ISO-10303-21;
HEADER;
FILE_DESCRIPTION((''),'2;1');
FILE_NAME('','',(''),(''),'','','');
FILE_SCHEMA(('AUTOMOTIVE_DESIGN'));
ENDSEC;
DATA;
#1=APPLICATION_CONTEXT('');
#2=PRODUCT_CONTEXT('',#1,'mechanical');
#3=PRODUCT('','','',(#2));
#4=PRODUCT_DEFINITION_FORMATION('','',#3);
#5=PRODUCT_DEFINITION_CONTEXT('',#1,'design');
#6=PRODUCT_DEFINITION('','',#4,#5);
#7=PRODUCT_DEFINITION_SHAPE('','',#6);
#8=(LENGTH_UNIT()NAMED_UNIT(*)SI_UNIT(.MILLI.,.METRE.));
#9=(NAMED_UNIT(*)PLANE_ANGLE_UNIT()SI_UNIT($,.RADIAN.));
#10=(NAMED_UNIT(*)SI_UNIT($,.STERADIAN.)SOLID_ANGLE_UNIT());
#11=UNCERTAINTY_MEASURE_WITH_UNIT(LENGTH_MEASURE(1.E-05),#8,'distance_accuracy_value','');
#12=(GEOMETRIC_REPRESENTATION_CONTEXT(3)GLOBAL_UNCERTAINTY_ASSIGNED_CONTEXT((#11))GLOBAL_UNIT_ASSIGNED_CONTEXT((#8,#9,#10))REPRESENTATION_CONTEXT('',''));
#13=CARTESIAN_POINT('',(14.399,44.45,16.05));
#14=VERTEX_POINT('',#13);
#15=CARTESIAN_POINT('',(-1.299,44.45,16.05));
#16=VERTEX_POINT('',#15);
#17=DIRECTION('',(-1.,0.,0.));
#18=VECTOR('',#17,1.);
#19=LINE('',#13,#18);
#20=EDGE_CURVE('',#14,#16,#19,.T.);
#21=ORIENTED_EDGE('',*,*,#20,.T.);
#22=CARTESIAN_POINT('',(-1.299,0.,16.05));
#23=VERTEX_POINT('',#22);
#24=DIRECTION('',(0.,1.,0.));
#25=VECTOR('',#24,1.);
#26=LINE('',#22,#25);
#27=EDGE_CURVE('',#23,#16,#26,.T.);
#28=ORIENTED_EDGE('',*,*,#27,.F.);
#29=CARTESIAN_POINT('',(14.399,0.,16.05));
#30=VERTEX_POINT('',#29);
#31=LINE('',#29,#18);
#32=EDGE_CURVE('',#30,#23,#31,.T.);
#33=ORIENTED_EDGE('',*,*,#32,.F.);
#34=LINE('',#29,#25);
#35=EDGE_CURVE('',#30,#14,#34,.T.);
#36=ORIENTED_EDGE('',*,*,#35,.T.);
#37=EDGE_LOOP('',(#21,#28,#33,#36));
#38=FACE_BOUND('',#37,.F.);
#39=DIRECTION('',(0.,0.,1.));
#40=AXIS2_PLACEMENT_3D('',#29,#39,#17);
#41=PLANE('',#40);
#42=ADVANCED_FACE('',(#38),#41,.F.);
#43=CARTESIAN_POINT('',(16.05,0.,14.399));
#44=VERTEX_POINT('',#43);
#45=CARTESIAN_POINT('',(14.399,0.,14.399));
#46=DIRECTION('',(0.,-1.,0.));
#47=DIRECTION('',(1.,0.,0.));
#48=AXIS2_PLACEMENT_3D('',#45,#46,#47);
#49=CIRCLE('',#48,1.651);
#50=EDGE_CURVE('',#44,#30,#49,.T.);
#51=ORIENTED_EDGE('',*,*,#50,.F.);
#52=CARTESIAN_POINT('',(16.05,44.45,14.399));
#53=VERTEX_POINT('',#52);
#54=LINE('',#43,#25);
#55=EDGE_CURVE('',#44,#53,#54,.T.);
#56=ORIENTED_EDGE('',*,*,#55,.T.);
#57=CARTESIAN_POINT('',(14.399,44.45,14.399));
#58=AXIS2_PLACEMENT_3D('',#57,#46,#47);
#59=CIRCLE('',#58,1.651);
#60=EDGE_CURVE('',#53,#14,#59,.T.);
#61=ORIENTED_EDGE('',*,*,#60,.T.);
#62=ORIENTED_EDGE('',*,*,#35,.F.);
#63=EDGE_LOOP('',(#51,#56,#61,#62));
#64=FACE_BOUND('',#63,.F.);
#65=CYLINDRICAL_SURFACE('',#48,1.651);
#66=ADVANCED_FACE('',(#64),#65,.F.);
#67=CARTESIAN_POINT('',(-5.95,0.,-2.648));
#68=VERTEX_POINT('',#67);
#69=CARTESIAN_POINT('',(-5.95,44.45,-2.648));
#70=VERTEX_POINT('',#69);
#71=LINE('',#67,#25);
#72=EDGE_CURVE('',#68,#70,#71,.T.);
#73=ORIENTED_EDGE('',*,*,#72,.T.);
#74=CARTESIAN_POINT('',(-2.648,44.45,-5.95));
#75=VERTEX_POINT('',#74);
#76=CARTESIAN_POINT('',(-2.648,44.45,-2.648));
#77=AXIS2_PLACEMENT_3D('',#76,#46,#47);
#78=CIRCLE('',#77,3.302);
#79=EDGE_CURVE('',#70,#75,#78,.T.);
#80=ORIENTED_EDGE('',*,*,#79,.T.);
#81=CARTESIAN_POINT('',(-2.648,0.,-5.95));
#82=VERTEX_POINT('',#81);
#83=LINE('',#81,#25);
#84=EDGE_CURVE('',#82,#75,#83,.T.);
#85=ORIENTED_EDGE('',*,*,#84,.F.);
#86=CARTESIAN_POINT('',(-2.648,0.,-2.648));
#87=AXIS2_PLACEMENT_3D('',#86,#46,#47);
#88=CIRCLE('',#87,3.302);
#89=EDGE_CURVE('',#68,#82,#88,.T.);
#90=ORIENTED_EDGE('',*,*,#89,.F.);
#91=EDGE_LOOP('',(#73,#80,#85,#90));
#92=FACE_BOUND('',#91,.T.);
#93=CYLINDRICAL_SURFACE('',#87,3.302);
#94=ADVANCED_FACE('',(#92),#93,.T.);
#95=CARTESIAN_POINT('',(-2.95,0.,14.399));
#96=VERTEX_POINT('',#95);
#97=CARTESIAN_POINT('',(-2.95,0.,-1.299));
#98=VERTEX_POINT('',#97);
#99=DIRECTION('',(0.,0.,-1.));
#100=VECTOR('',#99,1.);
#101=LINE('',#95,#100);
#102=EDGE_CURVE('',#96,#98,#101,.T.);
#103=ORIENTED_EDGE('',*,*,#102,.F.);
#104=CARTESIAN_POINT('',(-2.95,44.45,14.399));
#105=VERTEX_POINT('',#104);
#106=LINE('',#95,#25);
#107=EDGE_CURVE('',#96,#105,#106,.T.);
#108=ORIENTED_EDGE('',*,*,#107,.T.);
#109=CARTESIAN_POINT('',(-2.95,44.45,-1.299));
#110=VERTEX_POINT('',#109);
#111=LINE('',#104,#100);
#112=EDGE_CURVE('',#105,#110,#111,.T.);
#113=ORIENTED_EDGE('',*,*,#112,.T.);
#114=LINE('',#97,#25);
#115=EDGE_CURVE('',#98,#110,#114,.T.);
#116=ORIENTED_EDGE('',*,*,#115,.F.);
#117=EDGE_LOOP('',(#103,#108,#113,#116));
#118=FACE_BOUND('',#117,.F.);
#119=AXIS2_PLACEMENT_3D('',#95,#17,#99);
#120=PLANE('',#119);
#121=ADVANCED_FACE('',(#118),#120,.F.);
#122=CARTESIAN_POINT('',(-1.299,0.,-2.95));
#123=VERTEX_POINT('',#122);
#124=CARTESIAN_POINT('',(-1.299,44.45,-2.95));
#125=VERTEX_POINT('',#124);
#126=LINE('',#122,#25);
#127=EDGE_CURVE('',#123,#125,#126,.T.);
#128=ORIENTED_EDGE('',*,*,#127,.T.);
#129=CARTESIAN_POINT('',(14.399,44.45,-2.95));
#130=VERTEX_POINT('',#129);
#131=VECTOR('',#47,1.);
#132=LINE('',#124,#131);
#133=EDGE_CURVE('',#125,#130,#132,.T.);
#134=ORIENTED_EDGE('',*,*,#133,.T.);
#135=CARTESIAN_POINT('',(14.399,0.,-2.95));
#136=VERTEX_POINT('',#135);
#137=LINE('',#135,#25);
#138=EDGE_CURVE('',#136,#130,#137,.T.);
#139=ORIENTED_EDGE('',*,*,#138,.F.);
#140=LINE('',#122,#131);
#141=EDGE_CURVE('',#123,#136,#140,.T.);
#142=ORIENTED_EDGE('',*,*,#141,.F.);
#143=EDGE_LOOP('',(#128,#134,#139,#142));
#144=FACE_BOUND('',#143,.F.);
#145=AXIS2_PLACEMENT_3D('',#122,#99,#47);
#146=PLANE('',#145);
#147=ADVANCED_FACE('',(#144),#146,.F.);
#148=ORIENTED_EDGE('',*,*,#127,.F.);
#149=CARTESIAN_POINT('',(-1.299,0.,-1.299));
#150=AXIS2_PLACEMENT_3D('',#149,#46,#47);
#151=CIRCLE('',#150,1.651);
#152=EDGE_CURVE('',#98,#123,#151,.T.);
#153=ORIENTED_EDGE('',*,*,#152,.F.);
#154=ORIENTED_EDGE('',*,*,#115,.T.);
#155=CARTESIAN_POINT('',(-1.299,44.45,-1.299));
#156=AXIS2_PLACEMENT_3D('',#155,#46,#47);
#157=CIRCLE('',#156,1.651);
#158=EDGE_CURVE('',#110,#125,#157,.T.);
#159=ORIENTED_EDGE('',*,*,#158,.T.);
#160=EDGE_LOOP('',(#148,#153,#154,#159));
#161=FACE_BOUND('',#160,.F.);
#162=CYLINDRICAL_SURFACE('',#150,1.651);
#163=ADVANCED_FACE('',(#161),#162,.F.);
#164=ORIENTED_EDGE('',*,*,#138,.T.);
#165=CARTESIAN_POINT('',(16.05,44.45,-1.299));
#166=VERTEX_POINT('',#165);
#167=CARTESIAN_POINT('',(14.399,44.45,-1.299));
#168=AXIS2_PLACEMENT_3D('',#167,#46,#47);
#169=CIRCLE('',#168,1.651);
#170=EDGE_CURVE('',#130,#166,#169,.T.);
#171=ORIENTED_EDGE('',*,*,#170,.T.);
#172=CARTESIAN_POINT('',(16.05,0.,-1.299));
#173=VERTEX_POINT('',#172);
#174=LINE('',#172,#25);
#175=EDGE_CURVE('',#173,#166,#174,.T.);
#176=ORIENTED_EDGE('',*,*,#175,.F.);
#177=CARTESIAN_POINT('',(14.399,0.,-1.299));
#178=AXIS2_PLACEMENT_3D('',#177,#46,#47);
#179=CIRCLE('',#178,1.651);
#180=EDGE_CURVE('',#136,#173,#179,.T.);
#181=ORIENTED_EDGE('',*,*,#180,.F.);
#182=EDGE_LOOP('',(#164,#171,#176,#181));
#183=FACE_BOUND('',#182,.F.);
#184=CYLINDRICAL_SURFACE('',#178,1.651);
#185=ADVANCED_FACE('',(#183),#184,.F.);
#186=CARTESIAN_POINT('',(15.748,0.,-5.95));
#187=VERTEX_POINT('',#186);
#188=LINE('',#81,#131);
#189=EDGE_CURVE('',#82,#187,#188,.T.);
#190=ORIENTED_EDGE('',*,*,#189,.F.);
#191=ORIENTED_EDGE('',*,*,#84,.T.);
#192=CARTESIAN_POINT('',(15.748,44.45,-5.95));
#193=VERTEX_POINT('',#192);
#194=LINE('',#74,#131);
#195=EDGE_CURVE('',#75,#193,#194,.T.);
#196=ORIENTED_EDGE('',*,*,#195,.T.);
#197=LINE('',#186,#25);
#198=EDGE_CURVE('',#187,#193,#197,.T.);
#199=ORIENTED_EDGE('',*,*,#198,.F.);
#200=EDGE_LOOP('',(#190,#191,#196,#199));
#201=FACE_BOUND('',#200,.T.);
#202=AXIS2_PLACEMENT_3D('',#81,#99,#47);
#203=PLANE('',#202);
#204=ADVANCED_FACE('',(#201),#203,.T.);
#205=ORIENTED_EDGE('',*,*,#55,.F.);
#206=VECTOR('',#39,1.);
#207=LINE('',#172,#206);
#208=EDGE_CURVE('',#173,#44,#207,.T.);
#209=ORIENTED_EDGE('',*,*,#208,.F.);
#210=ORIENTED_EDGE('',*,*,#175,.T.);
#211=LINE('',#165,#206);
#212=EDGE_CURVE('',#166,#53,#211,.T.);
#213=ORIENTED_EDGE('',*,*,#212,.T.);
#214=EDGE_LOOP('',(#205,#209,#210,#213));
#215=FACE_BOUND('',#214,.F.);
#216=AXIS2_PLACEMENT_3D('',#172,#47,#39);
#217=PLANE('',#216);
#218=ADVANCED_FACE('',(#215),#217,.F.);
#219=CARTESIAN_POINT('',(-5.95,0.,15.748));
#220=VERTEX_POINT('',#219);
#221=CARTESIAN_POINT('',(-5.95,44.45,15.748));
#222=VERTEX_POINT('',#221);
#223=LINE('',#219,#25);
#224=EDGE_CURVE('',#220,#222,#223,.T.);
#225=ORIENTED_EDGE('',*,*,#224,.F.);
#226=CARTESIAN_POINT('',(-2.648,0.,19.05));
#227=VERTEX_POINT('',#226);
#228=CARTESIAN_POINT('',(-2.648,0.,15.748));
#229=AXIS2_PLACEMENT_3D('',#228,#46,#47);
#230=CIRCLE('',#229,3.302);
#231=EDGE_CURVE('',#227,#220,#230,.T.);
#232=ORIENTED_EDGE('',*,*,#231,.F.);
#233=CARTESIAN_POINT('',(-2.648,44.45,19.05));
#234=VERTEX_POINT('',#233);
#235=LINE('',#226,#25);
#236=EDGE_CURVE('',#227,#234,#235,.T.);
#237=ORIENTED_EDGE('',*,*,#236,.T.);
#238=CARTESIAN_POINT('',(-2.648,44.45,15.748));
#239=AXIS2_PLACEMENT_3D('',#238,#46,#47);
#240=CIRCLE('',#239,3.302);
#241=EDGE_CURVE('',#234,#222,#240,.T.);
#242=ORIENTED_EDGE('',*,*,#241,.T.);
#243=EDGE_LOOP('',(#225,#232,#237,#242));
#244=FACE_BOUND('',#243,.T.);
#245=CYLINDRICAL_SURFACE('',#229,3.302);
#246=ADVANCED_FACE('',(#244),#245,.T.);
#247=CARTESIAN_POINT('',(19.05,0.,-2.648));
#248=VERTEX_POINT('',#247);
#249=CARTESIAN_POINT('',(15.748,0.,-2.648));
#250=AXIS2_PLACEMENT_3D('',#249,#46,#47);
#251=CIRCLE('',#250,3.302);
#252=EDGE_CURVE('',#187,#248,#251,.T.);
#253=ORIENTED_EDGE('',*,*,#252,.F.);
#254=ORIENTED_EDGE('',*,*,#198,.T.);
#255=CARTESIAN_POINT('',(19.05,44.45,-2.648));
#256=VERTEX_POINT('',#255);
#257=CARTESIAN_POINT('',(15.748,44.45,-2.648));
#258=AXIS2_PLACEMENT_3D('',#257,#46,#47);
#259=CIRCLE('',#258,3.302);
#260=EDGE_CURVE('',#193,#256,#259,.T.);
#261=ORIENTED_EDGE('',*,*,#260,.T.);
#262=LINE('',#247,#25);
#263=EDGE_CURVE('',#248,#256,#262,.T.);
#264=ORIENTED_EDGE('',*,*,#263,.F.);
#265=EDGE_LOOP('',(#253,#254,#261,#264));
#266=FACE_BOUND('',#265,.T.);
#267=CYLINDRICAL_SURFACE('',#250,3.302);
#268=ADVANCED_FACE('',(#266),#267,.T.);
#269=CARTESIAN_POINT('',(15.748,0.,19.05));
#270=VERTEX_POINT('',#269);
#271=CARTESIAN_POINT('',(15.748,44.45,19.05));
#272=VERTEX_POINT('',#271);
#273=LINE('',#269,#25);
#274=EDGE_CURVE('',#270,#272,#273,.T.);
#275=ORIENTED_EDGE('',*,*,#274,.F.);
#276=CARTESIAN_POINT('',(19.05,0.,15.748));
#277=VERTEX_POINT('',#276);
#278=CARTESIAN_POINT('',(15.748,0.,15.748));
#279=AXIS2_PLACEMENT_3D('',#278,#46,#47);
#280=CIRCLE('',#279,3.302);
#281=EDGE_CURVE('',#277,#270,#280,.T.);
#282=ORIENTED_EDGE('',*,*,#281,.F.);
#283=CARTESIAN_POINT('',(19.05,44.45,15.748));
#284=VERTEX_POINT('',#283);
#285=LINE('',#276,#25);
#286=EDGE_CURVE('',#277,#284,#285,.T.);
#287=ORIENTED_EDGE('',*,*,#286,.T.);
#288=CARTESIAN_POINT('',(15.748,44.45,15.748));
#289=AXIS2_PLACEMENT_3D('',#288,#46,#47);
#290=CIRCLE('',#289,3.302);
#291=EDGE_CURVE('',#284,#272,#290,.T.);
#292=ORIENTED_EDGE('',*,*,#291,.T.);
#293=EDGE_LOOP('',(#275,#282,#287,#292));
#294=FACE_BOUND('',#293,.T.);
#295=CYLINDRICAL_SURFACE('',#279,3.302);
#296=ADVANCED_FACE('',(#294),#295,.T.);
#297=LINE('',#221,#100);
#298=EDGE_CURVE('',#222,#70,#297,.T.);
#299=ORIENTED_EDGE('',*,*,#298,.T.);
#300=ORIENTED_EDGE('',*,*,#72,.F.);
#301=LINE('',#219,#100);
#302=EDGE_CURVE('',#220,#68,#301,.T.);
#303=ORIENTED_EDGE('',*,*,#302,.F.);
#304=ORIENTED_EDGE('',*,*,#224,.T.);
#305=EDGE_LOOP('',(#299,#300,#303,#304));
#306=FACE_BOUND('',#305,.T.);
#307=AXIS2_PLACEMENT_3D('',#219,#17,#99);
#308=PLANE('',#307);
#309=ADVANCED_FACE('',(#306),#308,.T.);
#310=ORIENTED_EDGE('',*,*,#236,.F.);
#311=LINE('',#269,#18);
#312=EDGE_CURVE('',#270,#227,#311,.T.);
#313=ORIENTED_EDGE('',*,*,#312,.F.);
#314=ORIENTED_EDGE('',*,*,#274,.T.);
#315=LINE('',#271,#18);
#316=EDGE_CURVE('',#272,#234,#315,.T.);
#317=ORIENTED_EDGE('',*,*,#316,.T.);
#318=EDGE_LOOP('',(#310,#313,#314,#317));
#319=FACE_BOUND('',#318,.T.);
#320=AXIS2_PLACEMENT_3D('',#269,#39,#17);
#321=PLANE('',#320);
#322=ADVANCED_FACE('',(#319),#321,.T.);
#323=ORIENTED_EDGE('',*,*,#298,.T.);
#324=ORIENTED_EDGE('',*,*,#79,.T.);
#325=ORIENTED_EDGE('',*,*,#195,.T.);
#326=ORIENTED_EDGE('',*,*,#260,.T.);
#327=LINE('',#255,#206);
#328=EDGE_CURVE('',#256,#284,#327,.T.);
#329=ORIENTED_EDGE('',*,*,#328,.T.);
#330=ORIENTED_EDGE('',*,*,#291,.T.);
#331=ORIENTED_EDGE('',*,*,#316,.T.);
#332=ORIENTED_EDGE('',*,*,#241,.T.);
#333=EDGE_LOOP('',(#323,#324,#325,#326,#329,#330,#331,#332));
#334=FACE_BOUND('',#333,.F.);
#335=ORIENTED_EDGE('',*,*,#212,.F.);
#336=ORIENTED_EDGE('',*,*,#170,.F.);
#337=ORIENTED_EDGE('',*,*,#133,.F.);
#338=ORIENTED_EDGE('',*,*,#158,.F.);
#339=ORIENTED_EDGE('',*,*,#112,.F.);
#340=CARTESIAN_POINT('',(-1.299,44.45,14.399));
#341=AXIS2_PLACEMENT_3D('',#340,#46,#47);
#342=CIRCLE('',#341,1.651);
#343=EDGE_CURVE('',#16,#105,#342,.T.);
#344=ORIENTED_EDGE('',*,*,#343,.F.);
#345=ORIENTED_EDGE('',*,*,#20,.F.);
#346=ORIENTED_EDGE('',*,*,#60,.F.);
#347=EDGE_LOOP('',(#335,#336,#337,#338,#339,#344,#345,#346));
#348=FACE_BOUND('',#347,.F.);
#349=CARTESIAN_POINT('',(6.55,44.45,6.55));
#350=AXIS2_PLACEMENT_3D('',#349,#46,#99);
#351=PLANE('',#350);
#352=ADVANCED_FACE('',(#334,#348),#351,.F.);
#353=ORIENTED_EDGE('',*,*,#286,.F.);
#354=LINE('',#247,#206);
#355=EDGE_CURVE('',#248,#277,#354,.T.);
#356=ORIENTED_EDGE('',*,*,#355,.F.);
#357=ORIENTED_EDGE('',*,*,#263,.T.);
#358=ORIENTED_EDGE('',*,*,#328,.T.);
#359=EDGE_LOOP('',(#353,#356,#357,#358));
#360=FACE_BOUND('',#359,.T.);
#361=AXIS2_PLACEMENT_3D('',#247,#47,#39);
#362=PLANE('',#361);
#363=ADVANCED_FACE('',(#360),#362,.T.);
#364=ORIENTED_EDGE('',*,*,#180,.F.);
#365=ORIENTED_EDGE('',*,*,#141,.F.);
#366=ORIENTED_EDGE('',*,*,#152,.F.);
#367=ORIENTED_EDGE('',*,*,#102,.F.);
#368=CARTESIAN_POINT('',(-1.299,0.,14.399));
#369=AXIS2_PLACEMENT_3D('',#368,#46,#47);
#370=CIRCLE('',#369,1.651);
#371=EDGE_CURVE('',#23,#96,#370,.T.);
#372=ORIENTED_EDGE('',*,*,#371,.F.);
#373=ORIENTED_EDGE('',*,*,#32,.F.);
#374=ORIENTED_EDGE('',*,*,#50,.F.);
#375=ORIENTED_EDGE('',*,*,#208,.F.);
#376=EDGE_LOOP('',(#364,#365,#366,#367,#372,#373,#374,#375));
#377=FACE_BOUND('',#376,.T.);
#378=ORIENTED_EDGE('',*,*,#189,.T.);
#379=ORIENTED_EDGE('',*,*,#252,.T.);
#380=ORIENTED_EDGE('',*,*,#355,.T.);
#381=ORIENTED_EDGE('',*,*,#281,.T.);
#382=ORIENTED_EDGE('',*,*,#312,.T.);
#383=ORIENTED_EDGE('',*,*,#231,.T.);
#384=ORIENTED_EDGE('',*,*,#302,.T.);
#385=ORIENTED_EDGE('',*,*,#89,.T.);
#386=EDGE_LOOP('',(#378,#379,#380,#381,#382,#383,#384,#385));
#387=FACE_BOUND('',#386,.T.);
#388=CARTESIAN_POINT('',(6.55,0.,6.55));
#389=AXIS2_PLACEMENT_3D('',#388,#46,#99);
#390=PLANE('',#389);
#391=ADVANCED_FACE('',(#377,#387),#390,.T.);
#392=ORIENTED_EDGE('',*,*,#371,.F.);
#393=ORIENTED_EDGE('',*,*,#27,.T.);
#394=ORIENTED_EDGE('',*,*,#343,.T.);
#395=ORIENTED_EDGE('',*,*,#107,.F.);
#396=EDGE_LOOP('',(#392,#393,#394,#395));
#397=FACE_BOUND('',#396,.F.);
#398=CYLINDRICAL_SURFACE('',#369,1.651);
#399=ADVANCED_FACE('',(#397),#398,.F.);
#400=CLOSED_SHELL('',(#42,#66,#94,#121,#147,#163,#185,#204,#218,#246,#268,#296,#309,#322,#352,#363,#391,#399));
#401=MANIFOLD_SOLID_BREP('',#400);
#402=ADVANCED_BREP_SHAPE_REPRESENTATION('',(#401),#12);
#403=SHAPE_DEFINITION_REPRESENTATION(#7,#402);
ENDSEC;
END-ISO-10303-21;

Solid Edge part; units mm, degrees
sketch "Sketch1" plane through (0, 0, 0) normal (0, -1, 0) x (1, 0, 0)
  line L0 (-2.95, 14.399) -> (-2.95, -1.299)
  arc A0 (-2.95, -1.299) -> (-1.299, -2.95) centre (-1.299, -1.299) ccw
  line L1 (-1.299, -2.95) -> (14.399, -2.95)
  arc A1 (14.399, -2.95) -> (16.05, -1.299) centre (14.399, -1.299) ccw
  line L2 (16.05, -1.299) -> (16.05, 14.399)
  arc A2 (16.05, 14.399) -> (14.399, 16.05) centre (14.399, 14.399) ccw
  line L3 (14.399, 16.05) -> (-1.299, 16.05)
  arc A3 (-1.299, 16.05) -> (-2.95, 14.399) centre (-1.299, 14.399) ccw
  arc A4 (-5.95, -2.648) -> (-2.648, -5.95) centre (-2.648, -2.648) ccw
  line L4 (-2.648, -5.95) -> (15.748, -5.95)
  arc A5 (15.748, -5.95) -> (19.05, -2.648) centre (15.748, -2.648) ccw
  line L5 (19.05, -2.648) -> (19.05, 15.748)
  arc A6 (19.05, 15.748) -> (15.748, 19.05) centre (15.748, 15.748) ccw
  line L6 (15.748, 19.05) -> (-2.648, 19.05)
  arc A7 (-2.648, 19.05) -> (-5.95, 15.748) centre (-2.648, 15.748) ccw
  line L7 (-5.95, 15.748) -> (-5.95, -2.648)
  dimension "D1" = 3.302
  dimension "D2" = 1.651
  dimension "D3" = 25
  dimension "D4" = 25
  dimension "D5" = 3
  dimension "D6" = 3
  dimension "D7" = 3
  dimension "D8" = 3
extrude "Protrusion1" add sketch "Sketch1" against normal blind 44.45
properties material "Steel"
